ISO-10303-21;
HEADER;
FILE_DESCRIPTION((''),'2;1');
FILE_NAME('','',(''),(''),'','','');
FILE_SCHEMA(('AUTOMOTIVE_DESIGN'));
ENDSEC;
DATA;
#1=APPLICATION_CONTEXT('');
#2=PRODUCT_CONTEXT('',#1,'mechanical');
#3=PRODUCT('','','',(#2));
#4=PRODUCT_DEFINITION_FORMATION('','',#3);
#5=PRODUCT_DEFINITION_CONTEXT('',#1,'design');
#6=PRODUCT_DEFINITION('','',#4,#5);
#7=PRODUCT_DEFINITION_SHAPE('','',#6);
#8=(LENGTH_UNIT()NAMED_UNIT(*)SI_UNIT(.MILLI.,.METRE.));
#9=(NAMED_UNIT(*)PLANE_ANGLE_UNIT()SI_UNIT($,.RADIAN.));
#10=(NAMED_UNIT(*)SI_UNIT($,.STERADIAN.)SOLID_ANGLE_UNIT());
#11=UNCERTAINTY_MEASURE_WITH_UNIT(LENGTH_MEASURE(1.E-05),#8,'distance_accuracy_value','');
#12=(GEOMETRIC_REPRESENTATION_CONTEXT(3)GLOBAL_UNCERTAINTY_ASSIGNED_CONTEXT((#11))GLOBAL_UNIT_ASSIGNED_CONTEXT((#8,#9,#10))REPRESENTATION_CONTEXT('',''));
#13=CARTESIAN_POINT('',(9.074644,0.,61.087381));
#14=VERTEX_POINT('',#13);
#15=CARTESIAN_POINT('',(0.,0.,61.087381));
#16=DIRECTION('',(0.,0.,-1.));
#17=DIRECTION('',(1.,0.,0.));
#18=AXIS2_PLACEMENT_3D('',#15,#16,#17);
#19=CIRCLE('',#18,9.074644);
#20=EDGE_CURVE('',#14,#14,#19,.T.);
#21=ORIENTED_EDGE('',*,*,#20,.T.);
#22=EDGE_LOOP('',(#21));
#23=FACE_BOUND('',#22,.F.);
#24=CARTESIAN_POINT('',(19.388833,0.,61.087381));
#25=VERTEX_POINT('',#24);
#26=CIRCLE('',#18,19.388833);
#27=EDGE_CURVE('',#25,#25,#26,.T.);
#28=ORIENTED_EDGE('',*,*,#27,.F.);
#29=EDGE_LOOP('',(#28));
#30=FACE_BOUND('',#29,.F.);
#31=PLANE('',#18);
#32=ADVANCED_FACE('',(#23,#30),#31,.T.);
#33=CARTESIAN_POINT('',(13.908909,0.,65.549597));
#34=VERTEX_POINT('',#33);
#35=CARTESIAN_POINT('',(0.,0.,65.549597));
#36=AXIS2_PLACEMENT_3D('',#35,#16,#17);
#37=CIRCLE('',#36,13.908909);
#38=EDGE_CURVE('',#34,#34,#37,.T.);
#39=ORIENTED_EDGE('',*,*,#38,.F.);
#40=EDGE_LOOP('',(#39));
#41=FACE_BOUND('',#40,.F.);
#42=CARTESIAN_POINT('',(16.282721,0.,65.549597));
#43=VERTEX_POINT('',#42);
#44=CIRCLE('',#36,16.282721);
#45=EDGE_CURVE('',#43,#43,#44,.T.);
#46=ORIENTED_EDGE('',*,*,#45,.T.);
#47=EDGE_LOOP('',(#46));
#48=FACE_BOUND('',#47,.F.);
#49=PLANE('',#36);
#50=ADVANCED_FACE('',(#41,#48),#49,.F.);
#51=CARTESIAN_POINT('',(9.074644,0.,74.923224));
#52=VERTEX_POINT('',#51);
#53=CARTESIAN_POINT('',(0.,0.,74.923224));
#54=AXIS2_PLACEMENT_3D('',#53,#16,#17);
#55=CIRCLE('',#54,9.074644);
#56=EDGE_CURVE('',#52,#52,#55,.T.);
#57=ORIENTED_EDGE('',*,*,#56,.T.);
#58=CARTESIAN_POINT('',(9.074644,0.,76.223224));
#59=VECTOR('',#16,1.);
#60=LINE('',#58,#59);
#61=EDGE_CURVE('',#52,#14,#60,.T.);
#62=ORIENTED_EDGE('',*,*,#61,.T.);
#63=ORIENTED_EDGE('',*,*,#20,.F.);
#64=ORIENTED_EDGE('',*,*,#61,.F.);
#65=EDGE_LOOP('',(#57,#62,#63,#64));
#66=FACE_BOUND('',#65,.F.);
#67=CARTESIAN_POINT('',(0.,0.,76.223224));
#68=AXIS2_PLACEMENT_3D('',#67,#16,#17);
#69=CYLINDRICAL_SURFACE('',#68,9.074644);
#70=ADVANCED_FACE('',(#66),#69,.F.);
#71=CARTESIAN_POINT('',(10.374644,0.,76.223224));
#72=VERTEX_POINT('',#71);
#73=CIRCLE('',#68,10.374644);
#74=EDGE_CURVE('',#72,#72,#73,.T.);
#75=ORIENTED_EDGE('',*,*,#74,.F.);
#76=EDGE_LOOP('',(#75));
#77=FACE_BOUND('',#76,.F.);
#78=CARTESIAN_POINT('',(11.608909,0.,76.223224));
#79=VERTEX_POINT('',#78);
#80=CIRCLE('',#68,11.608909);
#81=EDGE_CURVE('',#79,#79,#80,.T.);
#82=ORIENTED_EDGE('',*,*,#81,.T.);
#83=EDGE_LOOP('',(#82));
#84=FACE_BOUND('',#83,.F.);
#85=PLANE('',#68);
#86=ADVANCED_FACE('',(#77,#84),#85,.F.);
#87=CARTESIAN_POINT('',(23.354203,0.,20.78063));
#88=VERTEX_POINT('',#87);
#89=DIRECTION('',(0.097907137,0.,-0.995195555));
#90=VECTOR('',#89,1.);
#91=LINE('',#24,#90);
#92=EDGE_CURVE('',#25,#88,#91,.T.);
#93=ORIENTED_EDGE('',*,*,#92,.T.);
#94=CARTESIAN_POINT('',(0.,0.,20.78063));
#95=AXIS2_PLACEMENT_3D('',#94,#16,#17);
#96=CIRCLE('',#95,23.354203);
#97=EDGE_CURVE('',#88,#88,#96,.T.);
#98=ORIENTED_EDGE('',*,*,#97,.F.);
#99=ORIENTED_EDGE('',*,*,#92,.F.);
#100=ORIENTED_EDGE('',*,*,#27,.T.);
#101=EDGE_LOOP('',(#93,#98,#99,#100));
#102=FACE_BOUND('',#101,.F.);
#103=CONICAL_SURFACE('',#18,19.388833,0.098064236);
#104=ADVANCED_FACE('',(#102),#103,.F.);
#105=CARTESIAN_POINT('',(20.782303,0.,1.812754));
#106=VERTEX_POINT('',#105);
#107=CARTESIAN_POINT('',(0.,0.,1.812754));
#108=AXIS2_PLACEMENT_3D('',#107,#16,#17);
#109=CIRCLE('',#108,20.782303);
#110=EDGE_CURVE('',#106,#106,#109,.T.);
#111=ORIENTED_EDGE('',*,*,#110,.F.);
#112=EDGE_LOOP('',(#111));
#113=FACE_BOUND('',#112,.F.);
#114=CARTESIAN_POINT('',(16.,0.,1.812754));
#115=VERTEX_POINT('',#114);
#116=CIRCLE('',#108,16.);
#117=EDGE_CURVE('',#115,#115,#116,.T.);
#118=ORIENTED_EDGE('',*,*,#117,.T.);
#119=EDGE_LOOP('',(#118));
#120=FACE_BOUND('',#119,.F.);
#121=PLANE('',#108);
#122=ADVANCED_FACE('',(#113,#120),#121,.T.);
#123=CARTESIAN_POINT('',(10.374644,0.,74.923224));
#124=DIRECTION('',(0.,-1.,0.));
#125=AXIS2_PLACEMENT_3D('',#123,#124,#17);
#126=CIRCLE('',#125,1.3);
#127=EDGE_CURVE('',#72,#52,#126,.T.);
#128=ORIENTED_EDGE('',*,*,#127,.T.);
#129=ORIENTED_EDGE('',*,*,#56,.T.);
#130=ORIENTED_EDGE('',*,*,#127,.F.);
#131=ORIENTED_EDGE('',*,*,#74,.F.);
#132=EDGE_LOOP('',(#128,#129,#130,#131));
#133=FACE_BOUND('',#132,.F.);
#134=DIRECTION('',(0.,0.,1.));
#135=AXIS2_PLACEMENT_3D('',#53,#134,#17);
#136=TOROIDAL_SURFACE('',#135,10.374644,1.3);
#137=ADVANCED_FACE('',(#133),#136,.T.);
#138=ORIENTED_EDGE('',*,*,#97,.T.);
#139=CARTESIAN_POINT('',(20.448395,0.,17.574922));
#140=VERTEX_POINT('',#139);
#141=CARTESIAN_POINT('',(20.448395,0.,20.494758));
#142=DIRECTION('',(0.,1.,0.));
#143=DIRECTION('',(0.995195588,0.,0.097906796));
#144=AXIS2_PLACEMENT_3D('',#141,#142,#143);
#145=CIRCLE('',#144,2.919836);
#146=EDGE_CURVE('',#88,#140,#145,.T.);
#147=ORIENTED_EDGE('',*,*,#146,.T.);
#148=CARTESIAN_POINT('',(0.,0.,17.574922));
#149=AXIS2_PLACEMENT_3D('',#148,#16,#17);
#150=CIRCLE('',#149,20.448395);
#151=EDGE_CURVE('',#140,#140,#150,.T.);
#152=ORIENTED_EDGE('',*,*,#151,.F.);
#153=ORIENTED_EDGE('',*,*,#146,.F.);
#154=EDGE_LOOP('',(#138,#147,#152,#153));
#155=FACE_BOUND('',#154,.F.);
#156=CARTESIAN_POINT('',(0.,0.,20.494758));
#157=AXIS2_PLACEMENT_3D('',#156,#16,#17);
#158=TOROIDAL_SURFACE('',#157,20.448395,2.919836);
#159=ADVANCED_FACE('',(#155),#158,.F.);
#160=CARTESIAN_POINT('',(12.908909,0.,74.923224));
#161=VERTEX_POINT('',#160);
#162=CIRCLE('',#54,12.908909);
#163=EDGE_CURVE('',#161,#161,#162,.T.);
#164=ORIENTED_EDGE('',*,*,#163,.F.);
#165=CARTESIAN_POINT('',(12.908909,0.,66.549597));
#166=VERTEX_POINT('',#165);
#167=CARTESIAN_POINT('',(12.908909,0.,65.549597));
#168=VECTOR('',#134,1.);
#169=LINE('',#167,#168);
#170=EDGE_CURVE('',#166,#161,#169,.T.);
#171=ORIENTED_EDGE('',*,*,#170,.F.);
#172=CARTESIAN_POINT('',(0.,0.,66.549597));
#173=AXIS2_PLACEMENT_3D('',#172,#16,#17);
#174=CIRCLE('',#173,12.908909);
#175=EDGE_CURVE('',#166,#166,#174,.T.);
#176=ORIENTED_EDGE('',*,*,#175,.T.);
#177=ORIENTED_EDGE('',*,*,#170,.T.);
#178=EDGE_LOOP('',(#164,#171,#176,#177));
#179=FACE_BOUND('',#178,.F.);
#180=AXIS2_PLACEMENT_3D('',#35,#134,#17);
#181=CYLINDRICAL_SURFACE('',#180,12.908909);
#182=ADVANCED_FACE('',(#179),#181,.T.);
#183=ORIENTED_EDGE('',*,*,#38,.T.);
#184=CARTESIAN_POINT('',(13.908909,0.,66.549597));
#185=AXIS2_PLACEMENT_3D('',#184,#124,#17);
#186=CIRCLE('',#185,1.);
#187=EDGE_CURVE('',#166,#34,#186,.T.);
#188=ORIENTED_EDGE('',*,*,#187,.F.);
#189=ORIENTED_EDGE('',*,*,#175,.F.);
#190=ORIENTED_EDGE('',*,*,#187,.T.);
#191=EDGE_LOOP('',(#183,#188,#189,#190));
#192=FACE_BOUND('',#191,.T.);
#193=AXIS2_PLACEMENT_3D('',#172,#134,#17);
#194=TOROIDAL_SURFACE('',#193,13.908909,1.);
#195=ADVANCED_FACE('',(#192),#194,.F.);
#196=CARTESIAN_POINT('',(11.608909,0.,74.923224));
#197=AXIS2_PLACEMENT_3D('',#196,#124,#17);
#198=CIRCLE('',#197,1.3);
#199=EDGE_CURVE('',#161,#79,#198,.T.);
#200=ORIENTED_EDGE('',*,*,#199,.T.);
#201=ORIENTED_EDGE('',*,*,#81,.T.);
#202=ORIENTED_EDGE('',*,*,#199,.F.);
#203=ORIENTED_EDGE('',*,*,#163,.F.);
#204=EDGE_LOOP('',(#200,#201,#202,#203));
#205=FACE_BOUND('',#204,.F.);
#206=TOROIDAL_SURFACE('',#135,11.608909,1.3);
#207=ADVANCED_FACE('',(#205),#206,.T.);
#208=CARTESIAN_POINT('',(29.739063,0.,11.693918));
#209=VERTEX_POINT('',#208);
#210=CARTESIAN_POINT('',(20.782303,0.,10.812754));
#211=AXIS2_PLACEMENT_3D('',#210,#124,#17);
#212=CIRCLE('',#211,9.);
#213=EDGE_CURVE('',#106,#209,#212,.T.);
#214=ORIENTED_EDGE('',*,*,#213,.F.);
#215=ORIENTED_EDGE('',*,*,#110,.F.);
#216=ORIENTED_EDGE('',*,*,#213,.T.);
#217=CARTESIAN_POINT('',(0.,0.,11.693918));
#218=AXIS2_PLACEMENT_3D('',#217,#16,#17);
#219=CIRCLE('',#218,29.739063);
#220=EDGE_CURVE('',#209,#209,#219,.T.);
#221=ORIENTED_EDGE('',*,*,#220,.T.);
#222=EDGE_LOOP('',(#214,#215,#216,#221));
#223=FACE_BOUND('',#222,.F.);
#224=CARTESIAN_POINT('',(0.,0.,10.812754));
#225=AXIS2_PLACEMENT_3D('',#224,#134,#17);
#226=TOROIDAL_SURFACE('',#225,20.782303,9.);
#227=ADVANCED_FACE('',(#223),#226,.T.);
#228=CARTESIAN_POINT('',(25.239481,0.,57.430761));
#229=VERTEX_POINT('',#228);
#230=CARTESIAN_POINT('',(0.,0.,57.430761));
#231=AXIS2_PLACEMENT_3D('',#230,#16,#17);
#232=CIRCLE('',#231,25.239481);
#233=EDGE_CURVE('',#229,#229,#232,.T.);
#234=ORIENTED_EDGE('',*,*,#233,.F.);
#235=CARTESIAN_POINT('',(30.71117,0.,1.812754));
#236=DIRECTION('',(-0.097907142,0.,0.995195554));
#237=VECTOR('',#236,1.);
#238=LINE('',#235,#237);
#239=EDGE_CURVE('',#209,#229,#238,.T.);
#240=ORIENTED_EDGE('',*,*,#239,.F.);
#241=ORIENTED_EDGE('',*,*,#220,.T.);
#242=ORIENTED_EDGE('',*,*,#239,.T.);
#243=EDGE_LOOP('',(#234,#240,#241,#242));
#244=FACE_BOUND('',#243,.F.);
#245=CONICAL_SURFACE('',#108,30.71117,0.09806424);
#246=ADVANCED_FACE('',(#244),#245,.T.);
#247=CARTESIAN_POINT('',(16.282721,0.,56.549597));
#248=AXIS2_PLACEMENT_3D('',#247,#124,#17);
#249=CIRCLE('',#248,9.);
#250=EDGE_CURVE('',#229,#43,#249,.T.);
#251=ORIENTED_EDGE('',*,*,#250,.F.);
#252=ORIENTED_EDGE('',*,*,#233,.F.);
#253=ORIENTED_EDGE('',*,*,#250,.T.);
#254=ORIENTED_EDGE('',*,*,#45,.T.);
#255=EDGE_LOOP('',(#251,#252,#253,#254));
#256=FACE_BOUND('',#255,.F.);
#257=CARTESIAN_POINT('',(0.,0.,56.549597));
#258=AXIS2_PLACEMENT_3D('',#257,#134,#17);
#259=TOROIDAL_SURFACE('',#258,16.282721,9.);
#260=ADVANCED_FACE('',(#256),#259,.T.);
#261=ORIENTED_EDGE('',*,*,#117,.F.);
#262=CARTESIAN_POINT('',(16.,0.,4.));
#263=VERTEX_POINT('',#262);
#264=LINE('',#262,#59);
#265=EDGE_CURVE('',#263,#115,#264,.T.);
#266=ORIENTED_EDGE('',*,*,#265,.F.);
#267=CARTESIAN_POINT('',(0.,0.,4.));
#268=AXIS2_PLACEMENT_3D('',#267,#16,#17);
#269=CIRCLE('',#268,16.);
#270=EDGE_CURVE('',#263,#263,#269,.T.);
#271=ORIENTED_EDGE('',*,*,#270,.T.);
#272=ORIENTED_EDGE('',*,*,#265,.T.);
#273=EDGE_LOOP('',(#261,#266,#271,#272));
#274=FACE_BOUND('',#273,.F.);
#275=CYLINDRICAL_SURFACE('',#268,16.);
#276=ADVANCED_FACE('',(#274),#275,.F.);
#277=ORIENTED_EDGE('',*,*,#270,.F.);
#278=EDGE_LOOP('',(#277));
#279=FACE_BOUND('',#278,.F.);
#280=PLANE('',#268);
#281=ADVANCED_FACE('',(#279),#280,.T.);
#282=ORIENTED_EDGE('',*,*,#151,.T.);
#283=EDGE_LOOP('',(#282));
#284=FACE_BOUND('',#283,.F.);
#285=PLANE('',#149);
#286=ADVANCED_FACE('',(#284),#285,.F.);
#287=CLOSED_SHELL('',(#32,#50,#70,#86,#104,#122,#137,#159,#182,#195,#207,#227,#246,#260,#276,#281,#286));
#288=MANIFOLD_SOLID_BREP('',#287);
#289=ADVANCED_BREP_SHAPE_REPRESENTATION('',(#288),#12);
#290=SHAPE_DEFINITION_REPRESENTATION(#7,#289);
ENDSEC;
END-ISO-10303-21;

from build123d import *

# Parameters (mm, degrees)
F2_R = 9
F3_R = 1.3
F4_R = 1


with BuildPart() as f1:
    # F0 (on Front) → F1 (revolve)
    with BuildSketch(Plane.XZ):
        with BuildLine():
            Line((0, 17.574922), (0, 4))
            Line((0, 4), (16, 4))
            Line((16, 4), (16, 1.812754))
            Line((16, 1.812754), (30.71117, 1.812754))
            Line((30.71117, 1.812754), (24.440752, 65.549597))
            Line((24.440752, 65.549597), (12.908909, 65.549597))
            Line((12.908909, 65.549597), (12.908909, 76.223224))
            Line((12.908909, 76.223224), (9.074644, 76.223224))
            Line((9.074644, 76.223224), (9.074644, 61.087381))
            Line((9.074644, 61.087381), (19.388833, 61.087381))
            Line((19.388833, 61.087381), (23.354203, 20.78063))
            ThreePointArc((23.354203, 20.78063), (22.611742, 18.533796), (20.448395, 17.574922))
            Line((20.448395, 17.574922), (0, 17.574922))
        make_face()
    revolve(axis=Axis((0, 0, 44.488502), (0, 0, -1)))

    # F2
    f2_edges = [f1.edges().sort_by_distance(p)[0] for p in [
        (-30.71117, 0, 1.812754),
        (-24.440752, 0, 65.549597),
    ]]
    fillet(f2_edges, radius=F2_R)

    # F3
    f3_edges = [f1.edges().sort_by_distance(p)[0] for p in [
        (-12.908909, 0, 76.223224),
        (-9.074644, 0, 76.223224),
    ]]
    fillet(f3_edges, radius=F3_R)

    # F4
    f4_edges = [f1.edges().sort_by_distance(p)[0] for p in [
        (-12.908909, 0, 65.549597),
    ]]
    fillet(f4_edges, radius=F4_R)


solid = f1.part
